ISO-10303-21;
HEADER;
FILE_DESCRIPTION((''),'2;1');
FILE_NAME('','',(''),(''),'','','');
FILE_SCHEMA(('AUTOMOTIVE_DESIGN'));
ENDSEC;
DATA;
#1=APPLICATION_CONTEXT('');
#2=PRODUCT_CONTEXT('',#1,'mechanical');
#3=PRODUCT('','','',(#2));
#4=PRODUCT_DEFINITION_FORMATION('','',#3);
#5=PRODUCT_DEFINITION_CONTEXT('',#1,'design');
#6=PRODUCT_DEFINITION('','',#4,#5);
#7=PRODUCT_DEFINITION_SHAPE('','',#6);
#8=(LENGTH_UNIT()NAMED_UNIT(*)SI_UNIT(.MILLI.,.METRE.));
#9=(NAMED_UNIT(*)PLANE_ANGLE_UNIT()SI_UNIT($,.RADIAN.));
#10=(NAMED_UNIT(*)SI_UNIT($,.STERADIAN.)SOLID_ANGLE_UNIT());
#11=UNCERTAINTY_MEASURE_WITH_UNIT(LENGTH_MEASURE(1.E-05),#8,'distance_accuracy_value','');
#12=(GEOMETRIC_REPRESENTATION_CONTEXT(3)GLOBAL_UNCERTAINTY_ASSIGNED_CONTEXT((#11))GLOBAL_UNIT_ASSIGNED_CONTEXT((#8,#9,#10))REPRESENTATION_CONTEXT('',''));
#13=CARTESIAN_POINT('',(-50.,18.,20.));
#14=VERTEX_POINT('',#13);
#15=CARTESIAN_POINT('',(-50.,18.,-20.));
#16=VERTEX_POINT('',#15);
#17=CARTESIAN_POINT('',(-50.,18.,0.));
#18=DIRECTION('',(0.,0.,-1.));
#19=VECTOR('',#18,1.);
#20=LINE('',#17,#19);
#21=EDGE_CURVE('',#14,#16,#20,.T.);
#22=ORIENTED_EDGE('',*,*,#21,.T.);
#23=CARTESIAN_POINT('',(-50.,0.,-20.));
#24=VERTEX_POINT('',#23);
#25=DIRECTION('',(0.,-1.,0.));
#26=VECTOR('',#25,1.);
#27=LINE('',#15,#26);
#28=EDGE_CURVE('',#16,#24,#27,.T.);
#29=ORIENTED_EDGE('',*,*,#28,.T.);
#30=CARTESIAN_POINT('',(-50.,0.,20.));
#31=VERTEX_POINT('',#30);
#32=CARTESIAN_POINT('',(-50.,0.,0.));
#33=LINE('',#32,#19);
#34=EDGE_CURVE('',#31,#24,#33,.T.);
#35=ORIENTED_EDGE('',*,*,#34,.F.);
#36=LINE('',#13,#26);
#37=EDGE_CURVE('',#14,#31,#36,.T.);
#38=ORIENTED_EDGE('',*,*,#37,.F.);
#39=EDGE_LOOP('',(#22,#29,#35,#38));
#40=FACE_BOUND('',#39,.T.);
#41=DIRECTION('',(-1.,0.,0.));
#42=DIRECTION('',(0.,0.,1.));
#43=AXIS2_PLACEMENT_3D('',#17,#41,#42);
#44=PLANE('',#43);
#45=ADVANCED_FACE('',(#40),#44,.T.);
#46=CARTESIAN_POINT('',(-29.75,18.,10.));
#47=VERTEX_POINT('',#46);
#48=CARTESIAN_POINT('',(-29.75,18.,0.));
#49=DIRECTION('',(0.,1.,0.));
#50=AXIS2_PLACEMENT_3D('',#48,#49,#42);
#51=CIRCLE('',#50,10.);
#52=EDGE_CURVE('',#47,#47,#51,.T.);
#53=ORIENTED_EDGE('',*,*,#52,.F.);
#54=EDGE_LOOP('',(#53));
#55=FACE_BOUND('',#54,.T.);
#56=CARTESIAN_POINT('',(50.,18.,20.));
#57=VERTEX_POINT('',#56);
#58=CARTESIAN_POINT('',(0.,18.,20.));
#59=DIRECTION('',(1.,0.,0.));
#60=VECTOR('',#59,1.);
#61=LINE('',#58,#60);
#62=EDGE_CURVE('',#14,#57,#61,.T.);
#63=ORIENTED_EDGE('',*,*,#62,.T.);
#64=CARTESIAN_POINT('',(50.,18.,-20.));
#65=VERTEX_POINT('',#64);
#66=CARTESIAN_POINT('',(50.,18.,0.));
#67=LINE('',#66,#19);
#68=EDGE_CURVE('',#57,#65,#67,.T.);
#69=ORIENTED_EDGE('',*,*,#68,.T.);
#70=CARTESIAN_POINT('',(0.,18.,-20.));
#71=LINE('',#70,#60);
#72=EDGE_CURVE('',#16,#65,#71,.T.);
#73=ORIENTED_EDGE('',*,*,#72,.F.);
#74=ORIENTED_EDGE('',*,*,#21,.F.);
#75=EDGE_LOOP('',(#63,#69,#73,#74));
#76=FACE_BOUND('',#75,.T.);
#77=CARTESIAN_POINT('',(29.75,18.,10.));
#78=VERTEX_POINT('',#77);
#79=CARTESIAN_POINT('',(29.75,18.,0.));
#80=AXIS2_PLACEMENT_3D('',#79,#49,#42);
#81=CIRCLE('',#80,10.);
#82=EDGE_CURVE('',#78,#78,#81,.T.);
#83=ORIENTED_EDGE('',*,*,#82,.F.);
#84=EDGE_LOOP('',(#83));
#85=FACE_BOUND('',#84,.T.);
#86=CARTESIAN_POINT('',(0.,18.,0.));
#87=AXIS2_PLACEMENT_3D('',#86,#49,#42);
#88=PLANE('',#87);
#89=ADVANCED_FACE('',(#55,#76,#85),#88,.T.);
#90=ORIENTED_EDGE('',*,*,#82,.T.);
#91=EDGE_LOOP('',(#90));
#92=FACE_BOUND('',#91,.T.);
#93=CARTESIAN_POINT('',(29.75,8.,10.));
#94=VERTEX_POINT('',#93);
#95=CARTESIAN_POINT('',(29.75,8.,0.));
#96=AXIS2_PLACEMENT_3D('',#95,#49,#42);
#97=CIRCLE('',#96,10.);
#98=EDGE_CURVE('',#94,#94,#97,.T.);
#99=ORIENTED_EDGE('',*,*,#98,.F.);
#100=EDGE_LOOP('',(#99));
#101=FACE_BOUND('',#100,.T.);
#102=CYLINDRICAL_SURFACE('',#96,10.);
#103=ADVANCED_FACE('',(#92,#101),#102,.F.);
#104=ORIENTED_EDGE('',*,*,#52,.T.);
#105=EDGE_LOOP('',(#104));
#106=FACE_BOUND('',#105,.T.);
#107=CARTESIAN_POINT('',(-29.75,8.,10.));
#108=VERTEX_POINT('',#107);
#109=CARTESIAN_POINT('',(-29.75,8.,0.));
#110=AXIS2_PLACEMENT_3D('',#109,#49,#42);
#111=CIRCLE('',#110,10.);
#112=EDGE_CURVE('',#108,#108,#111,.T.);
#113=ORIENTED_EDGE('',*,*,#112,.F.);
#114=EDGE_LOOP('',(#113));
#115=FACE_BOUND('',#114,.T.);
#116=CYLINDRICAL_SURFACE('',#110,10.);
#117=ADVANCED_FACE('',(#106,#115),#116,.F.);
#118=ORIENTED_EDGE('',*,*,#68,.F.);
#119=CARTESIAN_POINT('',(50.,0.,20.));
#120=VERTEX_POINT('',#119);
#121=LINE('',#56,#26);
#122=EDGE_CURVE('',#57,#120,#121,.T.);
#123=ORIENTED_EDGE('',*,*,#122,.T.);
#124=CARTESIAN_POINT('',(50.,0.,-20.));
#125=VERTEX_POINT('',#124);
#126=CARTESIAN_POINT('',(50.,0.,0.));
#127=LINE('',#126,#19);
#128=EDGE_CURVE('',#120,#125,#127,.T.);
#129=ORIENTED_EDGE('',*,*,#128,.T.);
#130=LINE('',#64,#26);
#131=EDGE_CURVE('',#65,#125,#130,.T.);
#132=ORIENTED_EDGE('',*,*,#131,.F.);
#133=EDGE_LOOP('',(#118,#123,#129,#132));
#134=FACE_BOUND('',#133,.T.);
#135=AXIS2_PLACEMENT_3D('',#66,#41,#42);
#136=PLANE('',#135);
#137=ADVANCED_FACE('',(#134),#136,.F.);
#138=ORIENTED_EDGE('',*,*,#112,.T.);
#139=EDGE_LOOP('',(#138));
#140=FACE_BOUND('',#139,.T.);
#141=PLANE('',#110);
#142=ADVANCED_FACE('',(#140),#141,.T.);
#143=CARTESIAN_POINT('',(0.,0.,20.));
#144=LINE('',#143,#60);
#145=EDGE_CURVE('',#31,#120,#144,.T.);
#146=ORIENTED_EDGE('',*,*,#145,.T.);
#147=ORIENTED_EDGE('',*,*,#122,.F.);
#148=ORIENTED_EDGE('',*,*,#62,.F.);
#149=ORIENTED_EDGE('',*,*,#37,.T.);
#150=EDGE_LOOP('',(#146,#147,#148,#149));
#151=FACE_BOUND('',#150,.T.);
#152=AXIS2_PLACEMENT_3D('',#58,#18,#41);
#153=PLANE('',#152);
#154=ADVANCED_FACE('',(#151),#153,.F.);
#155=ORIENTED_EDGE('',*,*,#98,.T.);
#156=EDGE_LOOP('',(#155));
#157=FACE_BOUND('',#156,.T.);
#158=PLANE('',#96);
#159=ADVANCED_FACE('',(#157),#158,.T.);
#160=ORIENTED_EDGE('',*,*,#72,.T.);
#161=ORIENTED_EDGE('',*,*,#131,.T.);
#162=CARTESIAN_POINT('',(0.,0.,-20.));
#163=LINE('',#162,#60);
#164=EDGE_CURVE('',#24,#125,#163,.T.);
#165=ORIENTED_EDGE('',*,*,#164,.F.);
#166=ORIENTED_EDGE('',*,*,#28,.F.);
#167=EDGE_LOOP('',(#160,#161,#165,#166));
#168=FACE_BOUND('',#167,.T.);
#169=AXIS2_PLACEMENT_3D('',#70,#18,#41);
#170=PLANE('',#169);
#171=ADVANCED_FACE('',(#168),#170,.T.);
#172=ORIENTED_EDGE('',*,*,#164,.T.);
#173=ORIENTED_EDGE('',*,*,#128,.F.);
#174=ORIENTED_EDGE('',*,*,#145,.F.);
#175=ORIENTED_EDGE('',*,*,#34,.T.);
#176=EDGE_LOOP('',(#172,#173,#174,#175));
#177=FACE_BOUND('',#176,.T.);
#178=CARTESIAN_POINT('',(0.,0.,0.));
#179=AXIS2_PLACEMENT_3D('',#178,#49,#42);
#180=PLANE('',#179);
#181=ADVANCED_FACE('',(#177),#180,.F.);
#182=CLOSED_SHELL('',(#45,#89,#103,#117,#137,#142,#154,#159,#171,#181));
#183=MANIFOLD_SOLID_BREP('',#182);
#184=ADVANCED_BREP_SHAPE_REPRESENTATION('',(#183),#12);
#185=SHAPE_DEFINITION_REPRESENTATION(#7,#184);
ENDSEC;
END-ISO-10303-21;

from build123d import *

# Parameters (mm, degrees)
SKETCH1_W           = 100
SKETCH1_H           = 40
BOSS_EXTRUDE1_DEPTH = 18
SKETCH3_R           = 10
CUT_EXTRUDE1_DEPTH  = 10


with BuildPart() as part:
    # Sketch1 → Boss-Extrude1 (new body)
    with BuildSketch(Plane(origin=(0, 0, 0), x_dir=(1, 0, 0), z_dir=(0, 1, 0))):
        Rectangle(SKETCH1_W, SKETCH1_H)
    extrude(amount=BOSS_EXTRUDE1_DEPTH)

    # Sketch3 → Cut-Extrude1 (cut)
    with BuildSketch(Plane(origin=(0, 18, 0), x_dir=(1, 0, 0), z_dir=(0, 1, 0))):
        with Locations(Location((-29.75, 0, 0), (0, 0, 270))):
            Circle(SKETCH3_R)
        with Locations(Location((29.75, 0, 0), (0, 0, 270))):
            Circle(SKETCH3_R)
    extrude(amount=-CUT_EXTRUDE1_DEPTH, mode=Mode.SUBTRACT)


solid = part.part
